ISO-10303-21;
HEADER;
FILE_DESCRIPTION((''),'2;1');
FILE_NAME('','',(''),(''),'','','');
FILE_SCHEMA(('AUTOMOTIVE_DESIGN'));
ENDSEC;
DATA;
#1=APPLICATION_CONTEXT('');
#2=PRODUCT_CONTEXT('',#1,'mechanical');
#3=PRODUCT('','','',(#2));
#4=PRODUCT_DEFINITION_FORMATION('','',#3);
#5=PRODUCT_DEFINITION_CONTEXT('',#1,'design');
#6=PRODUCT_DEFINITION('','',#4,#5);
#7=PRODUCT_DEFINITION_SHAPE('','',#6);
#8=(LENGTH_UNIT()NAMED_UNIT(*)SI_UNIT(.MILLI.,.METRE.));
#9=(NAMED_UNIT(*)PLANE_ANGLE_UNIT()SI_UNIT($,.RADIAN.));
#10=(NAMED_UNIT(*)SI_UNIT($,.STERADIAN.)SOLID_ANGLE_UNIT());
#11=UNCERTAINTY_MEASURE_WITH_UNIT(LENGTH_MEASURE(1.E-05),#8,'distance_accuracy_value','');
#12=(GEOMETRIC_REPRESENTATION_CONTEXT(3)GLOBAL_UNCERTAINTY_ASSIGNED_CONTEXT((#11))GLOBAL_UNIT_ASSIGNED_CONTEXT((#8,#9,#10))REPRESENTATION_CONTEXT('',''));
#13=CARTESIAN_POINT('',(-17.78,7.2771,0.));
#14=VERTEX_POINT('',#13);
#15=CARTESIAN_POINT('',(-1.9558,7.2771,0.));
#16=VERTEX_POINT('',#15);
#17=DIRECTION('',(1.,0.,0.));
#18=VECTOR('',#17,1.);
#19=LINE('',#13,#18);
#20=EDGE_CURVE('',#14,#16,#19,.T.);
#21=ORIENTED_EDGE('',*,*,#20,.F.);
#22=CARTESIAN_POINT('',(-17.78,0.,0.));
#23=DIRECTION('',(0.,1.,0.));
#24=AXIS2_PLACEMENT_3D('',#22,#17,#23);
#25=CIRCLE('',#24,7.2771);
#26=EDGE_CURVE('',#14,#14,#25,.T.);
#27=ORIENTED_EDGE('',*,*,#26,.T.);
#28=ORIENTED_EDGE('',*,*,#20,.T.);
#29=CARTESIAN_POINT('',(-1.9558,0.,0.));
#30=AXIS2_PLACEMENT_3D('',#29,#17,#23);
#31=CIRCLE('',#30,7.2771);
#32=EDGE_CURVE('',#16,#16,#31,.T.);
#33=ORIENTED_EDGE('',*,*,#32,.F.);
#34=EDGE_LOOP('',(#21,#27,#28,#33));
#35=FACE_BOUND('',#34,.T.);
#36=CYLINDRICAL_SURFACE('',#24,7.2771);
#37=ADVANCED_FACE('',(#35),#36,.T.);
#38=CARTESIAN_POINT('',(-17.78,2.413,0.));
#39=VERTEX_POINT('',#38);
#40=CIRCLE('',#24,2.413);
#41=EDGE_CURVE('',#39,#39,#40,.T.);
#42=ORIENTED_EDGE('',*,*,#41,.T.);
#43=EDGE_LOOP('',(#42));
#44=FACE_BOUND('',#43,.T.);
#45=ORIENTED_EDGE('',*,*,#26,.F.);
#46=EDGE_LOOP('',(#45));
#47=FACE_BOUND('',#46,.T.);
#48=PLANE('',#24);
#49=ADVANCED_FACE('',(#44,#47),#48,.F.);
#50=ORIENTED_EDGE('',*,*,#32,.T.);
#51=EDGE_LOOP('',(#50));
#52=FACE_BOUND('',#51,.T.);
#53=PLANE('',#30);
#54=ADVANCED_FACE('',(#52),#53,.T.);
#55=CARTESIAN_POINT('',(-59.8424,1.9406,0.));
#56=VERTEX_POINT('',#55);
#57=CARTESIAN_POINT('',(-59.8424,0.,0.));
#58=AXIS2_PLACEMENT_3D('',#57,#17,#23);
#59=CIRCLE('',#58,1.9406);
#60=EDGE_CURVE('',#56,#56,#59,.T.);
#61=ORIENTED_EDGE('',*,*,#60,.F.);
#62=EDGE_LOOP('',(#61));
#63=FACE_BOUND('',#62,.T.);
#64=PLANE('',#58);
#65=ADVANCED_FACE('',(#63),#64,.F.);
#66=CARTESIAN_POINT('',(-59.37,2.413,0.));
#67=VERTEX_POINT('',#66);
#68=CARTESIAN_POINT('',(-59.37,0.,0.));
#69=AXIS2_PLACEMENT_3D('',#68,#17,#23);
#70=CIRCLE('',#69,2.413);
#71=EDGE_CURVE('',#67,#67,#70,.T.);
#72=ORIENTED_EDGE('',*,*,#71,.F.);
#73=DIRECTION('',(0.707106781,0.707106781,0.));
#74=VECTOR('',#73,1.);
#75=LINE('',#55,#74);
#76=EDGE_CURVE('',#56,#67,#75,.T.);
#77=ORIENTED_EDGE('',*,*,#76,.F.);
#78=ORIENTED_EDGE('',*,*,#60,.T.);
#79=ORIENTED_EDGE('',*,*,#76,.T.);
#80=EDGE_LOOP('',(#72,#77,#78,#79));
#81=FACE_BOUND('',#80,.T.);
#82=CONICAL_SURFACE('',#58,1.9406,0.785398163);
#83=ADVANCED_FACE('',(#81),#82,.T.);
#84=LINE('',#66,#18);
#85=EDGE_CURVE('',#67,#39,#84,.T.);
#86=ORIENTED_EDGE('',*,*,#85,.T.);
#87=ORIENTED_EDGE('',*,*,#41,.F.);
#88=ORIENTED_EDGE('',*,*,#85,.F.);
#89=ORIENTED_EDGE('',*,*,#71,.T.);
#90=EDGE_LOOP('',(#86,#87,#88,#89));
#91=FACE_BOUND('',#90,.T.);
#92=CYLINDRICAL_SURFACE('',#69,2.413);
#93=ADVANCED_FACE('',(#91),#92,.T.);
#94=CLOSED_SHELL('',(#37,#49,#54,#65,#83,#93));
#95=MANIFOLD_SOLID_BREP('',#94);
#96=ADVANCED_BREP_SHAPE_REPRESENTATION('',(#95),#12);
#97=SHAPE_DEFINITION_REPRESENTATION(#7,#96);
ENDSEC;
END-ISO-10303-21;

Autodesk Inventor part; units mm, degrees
sketch "Sketch_5" plane through (0, 0, 0) normal (0, 0, 1) x (1, 0, 0)
  line L0 (-9.525, 0) -> (-59.8424, 0)
  line L1 (-59.8424, 0) -> (-59.8424, 1.9406)
  line L2 (-59.8424, 1.9406) -> (-59.37, 2.413)
  line L3 (-59.37, 2.413) -> (-9.525, 2.413)
  line L4 (-9.525, 2.413) -> (-9.525, 0)
  line L5 (-9.525, 0) -> (-59.8424, 0)
revolve "Revolution1" add sketch "Sketch_5" angle 360 about axis through (-9.525, 0, 0) along (1, 0, 0)
sketch "Sketch_14" plane through (0, 0, 0) normal (0, 0, 1) x (1, 0, 0)
  line L0 (-1.9558, 0) -> (-17.78, 0)
  line L1 (-17.78, 0) -> (-17.78, 7.2771)
  line L2 (-17.78, 7.2771) -> (-1.9558, 7.2771)
  line L3 (-1.9558, 7.2771) -> (-1.9558, 0)
  line L4 (-1.9558, 0) -> (-17.78, 0)
revolve "Revolution2" add sketch "Sketch_14" angle 360 about axis through (-1.9558, 0, 0) along (1, 0, 0)
ref_plane "h1_XY" through (-59.8424, 0, 0) normal (0, 1, 0) x (1, 0, 0)
ref_plane "h1_YZ" through (-59.8424, 0, 0) normal (1, 0, 0) x (0, 0, -1)
ref_plane "h1_ZX" through (-59.8424, 0, 0) normal (0, 0, -1) x (0, 1, 0)
ref_plane "h2_XY" through (-59.8424, 0, 0) normal (0, 1, 0) x (1, 0, 0)
ref_plane "h2_YZ" through (-59.8424, 0, 0) normal (1, 0, 0) x (0, 0, -1)
ref_plane "h2_ZX" through (-59.8424, 0, 0) normal (0, 0, -1) x (0, 1, 0)
ref_plane "k1_XY" through (-59.8424, 0, -2.413) normal (0, 1, 0) x (1, 0, 0)
ref_plane "k1_YZ" through (-59.8424, 0, -2.413) normal (1, 0, 0) x (0, 0, -1)
ref_plane "k1_ZX" through (-59.8424, 0, -2.413) normal (0, 0, -1) x (0, 1, 0)
ref_plane "k2_XY" through (-59.8424, 0, 2.413) normal (0, 1, 0) x (1, 0, 0)
ref_plane "k2_YZ" through (-59.8424, 0, 2.413) normal (1, 0, 0) x (0, 0, -1)
ref_plane "k2_ZX" through (-59.8424, 0, 2.413) normal (0, 0, -1) x (0, 1, 0)
ref_plane "start_XY" through (-47.1424, 0, 0) normal (0, 1, 0) x (1, 0, 0)
ref_plane "start_YZ" through (-47.1424, 0, 0) normal (1, 0, 0) x (0, 0, -1)
ref_plane "start_ZX" through (-47.1424, 0, 0) normal (0, 0, -1) x (0, 1, 0)
ref_plane "to_prc_XY" through (-59.8424, 0, 0) normal (1, 0, 0) x (0, 0, -1)
ref_plane "to_prc_YZ" through (-59.8424, 0, 0) normal (0, 0, -1) x (0, 1, 0)
ref_plane "to_prc_ZX" through (-59.8424, 0, 0) normal (0, 1, 0) x (1, 0, 0)
ref_plane "to_rod_guide_XY" through (-59.8424, 0, 0) normal (1, 0, 0) x (0, 0, -1)
ref_plane "to_rod_guide_YZ" through (-59.8424, 0, 0) normal (0, 0, -1) x (0, 1, 0)
ref_plane "to_rod_guide_ZX" through (-59.8424, 0, 0) normal (0, 1, 0) x (1, 0, 0)
properties part number "D-95380.5-1XP-2.356-3pos"
